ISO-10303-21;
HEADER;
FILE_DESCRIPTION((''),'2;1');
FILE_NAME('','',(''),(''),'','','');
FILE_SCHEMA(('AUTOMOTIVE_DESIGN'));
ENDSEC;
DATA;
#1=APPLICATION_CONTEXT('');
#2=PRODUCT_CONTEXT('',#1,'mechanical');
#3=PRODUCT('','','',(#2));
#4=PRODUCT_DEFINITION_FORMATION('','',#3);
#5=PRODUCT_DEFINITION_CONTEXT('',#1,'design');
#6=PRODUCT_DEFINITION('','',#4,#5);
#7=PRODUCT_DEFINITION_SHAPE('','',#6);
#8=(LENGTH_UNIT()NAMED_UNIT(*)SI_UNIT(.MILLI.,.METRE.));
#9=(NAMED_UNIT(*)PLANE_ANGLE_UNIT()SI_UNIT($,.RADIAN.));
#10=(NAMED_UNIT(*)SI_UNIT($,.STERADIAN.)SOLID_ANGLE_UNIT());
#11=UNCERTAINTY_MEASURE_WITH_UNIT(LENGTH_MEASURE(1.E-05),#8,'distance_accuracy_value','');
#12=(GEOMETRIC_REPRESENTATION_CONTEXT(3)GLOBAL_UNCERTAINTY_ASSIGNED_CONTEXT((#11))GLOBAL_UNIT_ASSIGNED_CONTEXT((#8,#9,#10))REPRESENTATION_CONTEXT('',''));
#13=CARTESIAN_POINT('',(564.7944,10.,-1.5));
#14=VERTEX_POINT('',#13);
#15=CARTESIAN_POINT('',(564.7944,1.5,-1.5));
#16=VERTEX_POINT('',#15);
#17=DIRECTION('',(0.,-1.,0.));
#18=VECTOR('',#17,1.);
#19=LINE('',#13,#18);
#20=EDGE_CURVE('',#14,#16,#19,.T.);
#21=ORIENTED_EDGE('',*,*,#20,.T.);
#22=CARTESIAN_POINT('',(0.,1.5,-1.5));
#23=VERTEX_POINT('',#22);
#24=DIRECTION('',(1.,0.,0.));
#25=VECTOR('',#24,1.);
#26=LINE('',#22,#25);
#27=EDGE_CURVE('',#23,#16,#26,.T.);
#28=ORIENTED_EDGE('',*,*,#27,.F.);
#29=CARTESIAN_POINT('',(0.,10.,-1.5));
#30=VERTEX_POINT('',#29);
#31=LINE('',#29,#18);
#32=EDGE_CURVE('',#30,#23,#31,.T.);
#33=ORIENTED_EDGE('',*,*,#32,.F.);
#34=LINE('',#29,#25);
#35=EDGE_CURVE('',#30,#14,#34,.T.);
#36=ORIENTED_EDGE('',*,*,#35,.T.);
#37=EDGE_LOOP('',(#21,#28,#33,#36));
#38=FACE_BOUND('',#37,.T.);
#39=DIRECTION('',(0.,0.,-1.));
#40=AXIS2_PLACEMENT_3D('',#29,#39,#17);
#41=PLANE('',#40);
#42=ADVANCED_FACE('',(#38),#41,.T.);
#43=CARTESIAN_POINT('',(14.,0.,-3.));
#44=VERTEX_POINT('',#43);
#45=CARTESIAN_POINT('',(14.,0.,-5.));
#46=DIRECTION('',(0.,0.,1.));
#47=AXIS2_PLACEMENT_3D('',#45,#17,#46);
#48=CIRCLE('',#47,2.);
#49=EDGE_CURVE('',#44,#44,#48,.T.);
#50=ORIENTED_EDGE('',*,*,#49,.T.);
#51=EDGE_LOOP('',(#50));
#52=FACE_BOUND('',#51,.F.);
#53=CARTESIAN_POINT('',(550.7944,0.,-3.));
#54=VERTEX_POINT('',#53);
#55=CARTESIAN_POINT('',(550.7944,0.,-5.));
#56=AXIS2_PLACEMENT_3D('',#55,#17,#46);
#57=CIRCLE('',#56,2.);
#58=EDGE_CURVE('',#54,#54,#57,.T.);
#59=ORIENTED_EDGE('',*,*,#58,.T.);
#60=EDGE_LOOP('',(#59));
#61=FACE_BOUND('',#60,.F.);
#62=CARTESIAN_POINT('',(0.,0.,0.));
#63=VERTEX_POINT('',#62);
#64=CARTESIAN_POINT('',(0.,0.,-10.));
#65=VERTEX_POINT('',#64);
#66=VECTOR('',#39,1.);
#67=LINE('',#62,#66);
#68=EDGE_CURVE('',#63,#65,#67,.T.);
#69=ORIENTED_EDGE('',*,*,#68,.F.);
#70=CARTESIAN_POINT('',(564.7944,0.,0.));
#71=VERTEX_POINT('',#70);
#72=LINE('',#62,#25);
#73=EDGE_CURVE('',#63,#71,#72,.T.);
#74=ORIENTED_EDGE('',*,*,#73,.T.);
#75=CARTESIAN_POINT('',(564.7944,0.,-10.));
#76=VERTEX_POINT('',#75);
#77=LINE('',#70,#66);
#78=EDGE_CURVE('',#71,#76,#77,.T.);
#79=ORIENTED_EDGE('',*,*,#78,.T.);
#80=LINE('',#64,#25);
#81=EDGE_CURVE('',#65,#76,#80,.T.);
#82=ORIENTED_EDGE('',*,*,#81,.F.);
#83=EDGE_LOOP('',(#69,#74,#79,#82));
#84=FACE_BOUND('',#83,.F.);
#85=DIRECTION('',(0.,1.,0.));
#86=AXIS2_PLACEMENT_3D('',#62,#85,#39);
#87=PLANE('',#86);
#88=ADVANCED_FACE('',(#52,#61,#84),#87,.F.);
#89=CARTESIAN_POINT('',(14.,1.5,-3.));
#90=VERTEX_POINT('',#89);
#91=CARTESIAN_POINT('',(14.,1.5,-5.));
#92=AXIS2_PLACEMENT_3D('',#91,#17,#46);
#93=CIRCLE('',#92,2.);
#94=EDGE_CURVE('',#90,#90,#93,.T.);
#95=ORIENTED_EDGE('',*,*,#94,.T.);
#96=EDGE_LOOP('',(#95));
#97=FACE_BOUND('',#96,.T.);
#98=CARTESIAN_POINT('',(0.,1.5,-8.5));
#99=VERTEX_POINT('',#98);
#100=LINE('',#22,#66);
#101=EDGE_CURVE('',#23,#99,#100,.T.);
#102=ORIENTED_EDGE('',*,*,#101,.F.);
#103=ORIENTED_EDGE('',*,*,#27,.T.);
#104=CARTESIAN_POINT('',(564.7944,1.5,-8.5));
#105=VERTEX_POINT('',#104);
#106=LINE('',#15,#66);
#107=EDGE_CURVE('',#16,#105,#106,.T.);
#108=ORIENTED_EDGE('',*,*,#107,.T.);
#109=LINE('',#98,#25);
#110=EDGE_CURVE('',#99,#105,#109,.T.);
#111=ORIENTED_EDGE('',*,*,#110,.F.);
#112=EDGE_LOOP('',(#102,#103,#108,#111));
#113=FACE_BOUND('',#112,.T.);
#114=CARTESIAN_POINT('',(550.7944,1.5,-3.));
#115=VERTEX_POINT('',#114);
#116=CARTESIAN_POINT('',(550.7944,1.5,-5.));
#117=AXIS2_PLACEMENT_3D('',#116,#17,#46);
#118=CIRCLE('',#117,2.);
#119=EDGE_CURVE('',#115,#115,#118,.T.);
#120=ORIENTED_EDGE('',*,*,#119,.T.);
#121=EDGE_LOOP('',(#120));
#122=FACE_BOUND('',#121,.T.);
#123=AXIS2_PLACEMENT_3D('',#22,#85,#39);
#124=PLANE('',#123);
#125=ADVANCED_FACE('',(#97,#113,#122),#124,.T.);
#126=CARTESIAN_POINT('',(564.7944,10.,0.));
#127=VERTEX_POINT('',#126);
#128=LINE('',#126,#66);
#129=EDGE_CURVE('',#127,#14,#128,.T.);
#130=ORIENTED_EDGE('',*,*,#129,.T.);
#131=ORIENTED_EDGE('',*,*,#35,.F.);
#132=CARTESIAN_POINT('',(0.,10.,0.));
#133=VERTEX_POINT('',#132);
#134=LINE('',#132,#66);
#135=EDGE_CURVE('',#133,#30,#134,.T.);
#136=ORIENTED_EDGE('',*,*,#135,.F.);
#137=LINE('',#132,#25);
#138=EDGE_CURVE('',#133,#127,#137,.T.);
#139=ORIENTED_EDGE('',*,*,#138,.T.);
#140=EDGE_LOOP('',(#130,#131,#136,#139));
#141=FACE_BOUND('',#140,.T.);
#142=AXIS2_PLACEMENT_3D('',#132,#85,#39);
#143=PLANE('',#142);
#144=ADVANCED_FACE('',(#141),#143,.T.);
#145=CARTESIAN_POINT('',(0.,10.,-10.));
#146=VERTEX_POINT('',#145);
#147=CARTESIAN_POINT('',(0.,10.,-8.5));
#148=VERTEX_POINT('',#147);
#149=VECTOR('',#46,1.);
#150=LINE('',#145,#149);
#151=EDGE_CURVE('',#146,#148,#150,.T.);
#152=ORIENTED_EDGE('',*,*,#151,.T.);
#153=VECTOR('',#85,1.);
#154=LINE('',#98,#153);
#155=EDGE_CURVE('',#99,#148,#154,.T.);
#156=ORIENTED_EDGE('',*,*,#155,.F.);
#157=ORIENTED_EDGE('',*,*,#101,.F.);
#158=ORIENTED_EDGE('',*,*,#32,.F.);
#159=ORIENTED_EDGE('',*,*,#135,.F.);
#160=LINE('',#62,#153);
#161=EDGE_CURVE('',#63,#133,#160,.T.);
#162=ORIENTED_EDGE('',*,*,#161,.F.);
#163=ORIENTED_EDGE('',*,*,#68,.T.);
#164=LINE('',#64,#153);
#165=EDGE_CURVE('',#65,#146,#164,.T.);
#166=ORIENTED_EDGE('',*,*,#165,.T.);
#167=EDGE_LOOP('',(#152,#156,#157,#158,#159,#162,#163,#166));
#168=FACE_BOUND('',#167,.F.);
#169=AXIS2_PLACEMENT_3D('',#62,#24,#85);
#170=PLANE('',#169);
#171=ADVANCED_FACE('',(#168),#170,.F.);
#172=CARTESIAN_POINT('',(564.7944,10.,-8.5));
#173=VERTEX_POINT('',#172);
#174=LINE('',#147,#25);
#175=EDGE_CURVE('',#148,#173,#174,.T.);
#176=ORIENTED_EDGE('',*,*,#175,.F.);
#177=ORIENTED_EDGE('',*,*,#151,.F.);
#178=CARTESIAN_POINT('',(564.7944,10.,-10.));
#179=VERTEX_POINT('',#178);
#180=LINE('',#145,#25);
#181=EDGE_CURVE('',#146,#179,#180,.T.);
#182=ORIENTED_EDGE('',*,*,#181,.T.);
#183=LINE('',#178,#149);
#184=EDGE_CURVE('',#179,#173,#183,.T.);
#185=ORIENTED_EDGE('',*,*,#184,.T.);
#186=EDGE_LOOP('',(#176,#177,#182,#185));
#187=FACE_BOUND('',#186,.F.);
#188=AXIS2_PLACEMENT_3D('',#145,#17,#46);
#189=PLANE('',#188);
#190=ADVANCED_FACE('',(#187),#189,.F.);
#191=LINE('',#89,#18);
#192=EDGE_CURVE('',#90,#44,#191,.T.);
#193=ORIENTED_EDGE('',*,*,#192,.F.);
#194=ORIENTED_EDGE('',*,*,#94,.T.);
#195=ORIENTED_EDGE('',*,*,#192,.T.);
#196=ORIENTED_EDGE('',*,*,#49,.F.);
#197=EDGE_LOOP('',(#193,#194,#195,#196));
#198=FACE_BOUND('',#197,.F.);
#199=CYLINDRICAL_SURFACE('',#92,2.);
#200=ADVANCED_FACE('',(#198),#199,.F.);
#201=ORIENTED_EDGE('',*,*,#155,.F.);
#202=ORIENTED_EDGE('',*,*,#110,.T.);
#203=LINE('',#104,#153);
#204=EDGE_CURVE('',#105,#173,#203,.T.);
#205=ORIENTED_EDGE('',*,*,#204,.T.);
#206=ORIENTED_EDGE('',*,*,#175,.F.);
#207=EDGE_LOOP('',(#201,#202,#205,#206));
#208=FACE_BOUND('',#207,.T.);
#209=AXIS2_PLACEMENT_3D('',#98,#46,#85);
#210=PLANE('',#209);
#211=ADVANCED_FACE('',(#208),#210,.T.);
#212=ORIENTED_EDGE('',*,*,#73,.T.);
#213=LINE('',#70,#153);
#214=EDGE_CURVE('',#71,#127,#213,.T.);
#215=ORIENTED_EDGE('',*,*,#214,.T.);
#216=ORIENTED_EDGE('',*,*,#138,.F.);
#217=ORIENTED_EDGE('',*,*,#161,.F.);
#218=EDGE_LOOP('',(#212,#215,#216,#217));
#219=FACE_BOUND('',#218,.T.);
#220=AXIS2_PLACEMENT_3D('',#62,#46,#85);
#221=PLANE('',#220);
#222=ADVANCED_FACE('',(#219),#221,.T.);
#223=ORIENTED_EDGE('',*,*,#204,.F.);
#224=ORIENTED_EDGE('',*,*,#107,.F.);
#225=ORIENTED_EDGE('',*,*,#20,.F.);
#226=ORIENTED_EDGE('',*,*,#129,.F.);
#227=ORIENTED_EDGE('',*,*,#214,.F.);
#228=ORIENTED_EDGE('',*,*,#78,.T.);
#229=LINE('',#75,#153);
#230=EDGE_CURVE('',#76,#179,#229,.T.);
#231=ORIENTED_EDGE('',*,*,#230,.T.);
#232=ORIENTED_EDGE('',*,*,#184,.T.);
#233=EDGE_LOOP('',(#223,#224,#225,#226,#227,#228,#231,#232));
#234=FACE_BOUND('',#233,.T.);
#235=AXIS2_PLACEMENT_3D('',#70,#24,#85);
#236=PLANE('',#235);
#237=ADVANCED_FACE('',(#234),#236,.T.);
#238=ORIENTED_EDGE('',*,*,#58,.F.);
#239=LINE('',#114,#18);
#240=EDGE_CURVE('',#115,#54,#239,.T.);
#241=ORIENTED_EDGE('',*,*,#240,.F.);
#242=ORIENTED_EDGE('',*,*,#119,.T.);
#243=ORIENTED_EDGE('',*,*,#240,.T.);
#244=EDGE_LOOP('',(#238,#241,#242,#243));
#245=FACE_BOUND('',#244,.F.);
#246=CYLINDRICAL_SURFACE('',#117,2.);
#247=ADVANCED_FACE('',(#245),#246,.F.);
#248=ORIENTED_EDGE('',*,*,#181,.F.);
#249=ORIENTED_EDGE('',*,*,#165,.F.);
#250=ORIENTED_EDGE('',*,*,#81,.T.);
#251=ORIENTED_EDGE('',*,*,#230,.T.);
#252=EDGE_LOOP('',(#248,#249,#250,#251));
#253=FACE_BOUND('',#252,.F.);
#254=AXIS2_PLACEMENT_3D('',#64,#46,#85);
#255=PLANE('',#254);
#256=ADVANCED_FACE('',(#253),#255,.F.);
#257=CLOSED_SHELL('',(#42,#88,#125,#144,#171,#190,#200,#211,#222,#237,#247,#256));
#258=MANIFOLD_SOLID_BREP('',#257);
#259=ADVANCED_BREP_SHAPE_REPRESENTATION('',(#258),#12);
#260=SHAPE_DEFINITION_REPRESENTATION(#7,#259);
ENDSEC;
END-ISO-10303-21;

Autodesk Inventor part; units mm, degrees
ref_plane "YZ Plane" through (0, 0, 0) normal (1, 0, 0) x (0, 1, 0)
ref_plane "XZ Plane" through (0, 0, 0) normal (0, 1, 0) x (-1, 0, 0)
ref_plane "XY Plane" through (0, 0, 0) normal (0, 0, 1) x (1, 0, 0)
sketch "Sketch1" plane through (0, 0, 0) normal (1, 0, 0) x (0, 1, 0)
  line L0 (0, 0) -> (0, -10)
  line L1 (0, -10) -> (10, -10)
  line L2 (10, -10) -> (10, -8.5)
  line L3 (0, 0) -> (10, 0)
  line L4 (10, 0) -> (10, -1.5)
  line L5 (0, -5) -> (1.5, -5) construction
  line L6 (10, -1.5) -> (1.5, -1.5)
  line L7 (1.5, -1.5) -> (1.5, -8.5)
  line L8 (1.5, -8.5) -> (10, -8.5)
  dimension "d0" = 10
  dimension "d1" = 10
  dimension "d2" = 1.5
  dimension "d3" = 10
  dimension "d4" = 1.5
  dimension "d5" = 1.5
extrude "Extrusion1" add sketch "Sketch1" along normal blind 564.7944
sketch "Sketch2" plane through (0, 1.5, -1.5) normal (0, 1, 0) x (1, 0, 0)
  line L0 (0, 7) -> (0, 0) projected
  line L1 (564.7944, 7) -> (564.7944, 0) projected
  line L2 (0, 7) -> (564.7944, 7) projected
  circle A0 centre (550.7944, 3.5) radius 2 projected
  circle A1 centre (550.7944, 136.95) radius 2 projected
  circle A2 centre (550.7944, 3.5) radius 2
  circle A3 centre (14, 3.5) radius 2
  line L3 (0, 0) -> (564.7944, 0) projected
  point P0 (0, -1.5)
  dimension "d8" = 4
  dimension "d9" = 14
  dimension "d10" = 7
  dimension "d11" = 3.5
  dimension "d12" = 4
  dimension "d13" = 14
hole "Hole1" at (550.7944, 1.5, -5) at (14, 1.5, -5) direction (0, -1, 0) diameter 4 end through all
equation "\"d11\" = 0.5 * d10"
equation "\"d13\" = d9"
properties part number "26in mini C-Channel (rail)" material "Aluminum 6061"
